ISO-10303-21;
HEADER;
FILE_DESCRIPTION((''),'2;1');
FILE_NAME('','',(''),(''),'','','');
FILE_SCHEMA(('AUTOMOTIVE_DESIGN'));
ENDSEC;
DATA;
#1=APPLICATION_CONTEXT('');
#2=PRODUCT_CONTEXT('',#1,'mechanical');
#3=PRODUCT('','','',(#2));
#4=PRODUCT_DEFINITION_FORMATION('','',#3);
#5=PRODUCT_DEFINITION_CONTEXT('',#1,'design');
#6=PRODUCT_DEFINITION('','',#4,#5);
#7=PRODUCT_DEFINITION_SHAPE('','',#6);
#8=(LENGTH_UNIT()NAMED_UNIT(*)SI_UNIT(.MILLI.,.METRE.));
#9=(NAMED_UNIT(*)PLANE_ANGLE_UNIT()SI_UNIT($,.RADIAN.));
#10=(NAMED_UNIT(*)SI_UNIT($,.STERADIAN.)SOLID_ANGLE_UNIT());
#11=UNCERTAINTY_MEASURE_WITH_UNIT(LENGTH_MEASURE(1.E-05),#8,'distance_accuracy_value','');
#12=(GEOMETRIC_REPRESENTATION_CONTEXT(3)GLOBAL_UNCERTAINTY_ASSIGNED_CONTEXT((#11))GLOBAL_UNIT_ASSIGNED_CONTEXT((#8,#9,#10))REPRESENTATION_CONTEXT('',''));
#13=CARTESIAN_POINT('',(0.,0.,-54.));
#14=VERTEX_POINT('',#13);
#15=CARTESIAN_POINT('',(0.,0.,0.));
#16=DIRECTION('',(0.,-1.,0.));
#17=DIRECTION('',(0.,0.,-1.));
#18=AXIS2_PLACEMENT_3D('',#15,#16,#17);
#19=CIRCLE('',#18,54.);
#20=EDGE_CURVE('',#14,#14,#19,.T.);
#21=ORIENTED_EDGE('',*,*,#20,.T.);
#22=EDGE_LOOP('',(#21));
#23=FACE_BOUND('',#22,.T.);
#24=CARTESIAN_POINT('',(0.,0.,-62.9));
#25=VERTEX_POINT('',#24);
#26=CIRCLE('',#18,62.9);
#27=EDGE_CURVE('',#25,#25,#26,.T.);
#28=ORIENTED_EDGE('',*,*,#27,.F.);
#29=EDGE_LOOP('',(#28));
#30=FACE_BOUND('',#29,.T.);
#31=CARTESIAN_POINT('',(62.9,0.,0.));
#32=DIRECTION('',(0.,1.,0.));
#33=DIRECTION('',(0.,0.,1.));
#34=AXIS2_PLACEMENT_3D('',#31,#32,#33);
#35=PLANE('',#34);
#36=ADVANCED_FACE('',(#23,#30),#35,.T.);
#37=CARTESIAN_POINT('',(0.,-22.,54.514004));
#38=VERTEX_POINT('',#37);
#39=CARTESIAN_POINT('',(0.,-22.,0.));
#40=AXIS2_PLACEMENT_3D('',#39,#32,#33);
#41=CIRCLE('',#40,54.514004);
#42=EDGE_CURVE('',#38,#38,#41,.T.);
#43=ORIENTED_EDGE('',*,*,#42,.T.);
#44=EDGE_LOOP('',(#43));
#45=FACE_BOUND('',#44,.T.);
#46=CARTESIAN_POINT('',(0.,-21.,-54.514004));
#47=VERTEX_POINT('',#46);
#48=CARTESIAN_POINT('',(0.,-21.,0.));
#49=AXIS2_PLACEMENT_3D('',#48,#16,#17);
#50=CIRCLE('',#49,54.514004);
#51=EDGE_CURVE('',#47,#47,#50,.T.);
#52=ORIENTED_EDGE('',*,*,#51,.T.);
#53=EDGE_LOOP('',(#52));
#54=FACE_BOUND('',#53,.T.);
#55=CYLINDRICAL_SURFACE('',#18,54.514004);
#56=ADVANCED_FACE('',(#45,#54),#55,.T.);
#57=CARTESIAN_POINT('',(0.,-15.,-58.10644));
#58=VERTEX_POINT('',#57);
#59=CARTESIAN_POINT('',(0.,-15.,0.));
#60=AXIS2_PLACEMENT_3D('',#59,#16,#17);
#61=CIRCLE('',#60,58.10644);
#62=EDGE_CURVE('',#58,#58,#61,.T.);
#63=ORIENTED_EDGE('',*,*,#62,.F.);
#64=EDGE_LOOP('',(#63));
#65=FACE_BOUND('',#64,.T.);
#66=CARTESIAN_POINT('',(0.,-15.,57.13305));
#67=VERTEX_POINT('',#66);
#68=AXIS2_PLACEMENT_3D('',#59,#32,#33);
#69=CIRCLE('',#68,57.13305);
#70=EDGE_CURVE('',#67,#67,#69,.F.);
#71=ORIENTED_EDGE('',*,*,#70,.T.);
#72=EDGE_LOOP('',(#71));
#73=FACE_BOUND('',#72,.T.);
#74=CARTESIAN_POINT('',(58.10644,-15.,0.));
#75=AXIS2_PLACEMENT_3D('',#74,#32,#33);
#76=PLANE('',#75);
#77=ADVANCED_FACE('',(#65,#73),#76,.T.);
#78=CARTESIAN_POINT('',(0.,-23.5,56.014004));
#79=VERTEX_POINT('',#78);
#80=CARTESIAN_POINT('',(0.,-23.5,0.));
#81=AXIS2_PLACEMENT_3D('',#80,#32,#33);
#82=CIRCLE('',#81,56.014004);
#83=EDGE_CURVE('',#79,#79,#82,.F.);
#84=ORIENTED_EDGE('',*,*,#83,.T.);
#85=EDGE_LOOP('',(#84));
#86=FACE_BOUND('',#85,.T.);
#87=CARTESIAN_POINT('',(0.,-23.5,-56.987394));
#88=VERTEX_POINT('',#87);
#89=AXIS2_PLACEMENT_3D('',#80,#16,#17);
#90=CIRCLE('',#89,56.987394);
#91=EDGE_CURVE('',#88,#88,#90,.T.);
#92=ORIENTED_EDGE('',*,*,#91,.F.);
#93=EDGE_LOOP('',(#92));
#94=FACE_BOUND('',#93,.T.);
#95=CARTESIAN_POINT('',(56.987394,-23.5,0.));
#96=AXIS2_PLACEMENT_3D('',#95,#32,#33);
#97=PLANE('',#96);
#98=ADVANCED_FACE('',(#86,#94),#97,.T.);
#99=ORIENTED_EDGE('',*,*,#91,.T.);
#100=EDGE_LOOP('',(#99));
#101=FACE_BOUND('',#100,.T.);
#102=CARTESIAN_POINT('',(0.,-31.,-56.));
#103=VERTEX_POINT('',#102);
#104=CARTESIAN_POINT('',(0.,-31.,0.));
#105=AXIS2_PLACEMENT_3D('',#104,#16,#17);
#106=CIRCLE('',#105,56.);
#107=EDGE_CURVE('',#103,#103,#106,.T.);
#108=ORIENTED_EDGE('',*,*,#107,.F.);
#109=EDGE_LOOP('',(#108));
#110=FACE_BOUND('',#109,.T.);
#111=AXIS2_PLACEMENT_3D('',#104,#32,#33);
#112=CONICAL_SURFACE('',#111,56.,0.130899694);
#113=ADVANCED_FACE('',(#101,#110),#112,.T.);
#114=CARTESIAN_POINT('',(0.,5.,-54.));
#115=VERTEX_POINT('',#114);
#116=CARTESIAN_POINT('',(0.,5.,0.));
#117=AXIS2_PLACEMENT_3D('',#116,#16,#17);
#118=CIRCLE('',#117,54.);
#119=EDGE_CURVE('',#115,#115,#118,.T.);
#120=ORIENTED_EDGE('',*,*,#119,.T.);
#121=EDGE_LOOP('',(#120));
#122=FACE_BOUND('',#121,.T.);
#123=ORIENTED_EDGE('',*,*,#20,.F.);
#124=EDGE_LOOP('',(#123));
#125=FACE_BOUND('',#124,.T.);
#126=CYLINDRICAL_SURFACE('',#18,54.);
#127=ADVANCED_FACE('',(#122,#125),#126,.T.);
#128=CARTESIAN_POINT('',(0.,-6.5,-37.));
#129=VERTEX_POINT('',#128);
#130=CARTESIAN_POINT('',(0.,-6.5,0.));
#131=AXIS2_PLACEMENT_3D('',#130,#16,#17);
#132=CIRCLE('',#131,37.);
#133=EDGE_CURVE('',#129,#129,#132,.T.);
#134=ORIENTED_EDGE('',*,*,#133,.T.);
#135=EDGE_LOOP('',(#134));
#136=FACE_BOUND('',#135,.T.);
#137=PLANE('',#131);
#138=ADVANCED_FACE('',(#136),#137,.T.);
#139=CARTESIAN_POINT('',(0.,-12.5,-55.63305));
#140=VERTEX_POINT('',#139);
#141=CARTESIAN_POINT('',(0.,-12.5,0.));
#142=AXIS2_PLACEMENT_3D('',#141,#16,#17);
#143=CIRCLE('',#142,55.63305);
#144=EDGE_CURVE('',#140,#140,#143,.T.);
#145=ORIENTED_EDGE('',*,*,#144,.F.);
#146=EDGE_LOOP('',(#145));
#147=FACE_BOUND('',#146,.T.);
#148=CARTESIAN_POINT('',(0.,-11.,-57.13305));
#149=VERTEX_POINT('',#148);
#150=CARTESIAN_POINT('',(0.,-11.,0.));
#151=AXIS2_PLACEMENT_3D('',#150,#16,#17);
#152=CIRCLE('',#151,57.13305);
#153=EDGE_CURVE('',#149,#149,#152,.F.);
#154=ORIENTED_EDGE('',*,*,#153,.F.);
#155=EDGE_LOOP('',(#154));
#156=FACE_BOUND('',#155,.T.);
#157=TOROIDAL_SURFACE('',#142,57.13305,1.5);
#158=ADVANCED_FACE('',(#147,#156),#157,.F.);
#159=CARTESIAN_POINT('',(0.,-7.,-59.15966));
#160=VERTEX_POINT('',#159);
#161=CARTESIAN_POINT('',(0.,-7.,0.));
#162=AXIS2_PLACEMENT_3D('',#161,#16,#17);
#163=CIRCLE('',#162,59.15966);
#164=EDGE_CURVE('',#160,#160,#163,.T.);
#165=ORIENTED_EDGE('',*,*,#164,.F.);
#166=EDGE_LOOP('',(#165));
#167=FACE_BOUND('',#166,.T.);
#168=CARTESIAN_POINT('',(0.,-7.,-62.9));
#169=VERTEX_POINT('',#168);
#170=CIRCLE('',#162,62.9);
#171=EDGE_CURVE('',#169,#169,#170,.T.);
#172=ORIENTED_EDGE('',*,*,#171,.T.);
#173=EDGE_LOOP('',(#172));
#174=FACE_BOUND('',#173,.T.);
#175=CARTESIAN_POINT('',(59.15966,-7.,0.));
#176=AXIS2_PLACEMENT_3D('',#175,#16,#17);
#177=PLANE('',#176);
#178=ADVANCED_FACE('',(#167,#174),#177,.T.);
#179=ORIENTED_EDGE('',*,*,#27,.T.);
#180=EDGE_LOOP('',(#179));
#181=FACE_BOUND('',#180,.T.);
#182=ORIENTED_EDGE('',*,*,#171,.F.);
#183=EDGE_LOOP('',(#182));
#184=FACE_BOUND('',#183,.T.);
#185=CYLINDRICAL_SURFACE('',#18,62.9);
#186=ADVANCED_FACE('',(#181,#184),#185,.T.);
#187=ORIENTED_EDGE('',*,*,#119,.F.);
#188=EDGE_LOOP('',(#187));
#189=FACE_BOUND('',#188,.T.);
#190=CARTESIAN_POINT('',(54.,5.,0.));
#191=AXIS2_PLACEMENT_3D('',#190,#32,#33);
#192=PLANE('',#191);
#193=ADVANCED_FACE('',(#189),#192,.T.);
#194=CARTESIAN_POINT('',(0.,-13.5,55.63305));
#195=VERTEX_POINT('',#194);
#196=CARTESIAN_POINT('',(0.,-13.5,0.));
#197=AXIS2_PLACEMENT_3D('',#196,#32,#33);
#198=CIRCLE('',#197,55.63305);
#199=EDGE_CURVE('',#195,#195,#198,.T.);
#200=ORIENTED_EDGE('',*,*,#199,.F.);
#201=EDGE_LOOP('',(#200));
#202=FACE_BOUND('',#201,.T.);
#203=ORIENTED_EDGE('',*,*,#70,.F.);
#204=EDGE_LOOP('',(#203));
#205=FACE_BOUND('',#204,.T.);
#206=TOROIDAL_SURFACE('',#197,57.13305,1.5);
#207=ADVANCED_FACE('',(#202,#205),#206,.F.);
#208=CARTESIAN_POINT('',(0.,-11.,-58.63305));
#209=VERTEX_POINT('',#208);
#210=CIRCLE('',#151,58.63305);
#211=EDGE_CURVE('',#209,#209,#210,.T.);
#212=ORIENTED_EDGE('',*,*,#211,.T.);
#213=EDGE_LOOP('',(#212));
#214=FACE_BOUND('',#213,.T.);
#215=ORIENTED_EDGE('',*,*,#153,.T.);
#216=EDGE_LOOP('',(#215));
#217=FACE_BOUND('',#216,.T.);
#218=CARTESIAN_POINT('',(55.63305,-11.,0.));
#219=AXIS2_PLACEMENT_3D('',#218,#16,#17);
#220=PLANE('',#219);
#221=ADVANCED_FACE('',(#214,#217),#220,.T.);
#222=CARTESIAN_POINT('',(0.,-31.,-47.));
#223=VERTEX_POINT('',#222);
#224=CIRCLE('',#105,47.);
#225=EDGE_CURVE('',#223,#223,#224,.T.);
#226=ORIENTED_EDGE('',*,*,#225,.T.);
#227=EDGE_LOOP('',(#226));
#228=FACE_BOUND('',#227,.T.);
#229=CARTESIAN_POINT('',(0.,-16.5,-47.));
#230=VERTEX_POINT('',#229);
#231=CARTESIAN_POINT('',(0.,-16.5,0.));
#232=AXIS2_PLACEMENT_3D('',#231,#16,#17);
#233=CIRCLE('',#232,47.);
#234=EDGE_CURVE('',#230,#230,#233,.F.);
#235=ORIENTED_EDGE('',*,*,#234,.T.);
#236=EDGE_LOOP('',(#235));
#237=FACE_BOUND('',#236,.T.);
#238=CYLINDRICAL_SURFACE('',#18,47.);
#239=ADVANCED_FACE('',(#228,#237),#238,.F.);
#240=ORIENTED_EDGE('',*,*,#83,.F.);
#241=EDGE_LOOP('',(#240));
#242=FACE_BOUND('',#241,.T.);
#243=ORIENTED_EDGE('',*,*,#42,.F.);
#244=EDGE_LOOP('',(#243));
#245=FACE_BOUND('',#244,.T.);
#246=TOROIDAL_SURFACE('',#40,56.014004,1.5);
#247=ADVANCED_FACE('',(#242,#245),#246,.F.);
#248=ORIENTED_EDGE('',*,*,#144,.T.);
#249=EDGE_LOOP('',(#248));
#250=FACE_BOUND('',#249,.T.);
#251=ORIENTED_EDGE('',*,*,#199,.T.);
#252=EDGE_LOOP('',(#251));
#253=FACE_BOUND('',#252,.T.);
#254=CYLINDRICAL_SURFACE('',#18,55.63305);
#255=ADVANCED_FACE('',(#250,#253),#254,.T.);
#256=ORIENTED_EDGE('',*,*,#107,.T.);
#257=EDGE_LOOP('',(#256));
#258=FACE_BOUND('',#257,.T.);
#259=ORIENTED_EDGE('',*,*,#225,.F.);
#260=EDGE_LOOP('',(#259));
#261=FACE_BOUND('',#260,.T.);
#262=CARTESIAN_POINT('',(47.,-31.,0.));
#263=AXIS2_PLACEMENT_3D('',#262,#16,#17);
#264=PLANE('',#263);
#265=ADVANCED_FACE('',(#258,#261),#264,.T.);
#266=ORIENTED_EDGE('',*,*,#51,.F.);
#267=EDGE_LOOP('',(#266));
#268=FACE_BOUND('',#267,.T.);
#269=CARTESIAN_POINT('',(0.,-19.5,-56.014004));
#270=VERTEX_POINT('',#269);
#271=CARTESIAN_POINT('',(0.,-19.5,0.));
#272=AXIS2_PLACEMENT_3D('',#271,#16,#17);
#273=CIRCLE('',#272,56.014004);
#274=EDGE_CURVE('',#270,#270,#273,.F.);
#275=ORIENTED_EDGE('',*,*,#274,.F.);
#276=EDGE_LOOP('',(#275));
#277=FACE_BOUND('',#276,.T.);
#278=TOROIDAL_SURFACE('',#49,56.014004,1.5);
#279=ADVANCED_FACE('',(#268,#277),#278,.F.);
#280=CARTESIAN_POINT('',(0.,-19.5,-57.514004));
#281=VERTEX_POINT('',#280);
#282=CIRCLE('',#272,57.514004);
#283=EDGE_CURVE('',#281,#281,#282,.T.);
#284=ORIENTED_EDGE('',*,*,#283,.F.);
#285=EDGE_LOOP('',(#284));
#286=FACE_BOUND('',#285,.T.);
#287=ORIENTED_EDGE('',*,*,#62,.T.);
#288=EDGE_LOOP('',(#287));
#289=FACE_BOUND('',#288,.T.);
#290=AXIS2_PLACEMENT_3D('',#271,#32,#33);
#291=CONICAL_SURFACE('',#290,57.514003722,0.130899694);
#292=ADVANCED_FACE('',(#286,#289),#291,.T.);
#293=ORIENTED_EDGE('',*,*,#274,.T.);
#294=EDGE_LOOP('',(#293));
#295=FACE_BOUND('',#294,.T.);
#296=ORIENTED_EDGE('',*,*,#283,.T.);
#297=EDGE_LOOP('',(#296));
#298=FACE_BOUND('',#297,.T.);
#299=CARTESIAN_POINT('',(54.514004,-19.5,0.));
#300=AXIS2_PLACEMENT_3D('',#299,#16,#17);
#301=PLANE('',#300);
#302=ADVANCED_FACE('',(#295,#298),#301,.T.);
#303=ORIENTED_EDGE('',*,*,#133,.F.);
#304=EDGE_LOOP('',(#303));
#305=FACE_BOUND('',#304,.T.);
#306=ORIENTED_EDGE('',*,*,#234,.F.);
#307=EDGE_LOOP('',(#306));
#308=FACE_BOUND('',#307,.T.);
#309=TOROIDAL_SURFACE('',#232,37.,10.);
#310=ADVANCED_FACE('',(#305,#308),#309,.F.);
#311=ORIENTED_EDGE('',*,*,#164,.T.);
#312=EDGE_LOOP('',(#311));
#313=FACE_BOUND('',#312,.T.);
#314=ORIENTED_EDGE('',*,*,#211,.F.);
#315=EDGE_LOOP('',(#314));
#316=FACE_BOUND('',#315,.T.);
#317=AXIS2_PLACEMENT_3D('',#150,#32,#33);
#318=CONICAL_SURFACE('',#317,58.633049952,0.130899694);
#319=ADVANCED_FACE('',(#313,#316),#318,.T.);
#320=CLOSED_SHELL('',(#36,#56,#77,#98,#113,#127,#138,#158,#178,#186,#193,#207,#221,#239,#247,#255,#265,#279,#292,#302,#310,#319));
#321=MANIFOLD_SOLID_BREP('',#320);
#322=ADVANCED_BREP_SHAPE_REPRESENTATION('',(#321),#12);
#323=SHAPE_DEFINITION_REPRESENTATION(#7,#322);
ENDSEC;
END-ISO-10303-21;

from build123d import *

# Parameters (mm, degrees)
CONG_1_R = 1.5
CONG_2_R = 10


with BuildPart() as part:
    # Esquisse1 → Révolution1 (revolve)
    with BuildSketch(Plane.XY, mode=Mode.PRIVATE) as r_volution1_sk:
        Polygon((59.159659942, -7), (62.9, -7), (62.9, 0), (54, 0), (54, 5), (0, 5), (0, 0), (0, -6.5), (47, -6.5), (47, -31), (56, -31), (56.987393732, -23.5), (54.514003722, -23.5), (54.514003722, -19.5), (57.514003722, -19.5), (58.106439961, -15), (55.633049952, -15), (55.633049952, -11), (58.633049952, -11), align=None)
    revolve(r_volution1_sk.sketch.rotate(Axis((0, 0, 0), (0, 1, 0)), 90), axis=Axis((0, 0, 0), (0, 1, 0)))

    # Congé1
    cong_1_edges = [part.edges().sort_by_distance(p)[0] for p in [
        (0, -11, 55.633049952),
        (0, -15, 55.633049952),
        (0, -19.5, 54.514003722),
        (0, -23.5, 54.514003722),
    ]]
    fillet(cong_1_edges, radius=CONG_1_R)

    # Congé2
    cong_2_edges = [part.edges().sort_by_distance(p)[0] for p in [
        (0, -6.5, 47),
    ]]
    fillet(cong_2_edges, radius=CONG_2_R)


solid = part.part
